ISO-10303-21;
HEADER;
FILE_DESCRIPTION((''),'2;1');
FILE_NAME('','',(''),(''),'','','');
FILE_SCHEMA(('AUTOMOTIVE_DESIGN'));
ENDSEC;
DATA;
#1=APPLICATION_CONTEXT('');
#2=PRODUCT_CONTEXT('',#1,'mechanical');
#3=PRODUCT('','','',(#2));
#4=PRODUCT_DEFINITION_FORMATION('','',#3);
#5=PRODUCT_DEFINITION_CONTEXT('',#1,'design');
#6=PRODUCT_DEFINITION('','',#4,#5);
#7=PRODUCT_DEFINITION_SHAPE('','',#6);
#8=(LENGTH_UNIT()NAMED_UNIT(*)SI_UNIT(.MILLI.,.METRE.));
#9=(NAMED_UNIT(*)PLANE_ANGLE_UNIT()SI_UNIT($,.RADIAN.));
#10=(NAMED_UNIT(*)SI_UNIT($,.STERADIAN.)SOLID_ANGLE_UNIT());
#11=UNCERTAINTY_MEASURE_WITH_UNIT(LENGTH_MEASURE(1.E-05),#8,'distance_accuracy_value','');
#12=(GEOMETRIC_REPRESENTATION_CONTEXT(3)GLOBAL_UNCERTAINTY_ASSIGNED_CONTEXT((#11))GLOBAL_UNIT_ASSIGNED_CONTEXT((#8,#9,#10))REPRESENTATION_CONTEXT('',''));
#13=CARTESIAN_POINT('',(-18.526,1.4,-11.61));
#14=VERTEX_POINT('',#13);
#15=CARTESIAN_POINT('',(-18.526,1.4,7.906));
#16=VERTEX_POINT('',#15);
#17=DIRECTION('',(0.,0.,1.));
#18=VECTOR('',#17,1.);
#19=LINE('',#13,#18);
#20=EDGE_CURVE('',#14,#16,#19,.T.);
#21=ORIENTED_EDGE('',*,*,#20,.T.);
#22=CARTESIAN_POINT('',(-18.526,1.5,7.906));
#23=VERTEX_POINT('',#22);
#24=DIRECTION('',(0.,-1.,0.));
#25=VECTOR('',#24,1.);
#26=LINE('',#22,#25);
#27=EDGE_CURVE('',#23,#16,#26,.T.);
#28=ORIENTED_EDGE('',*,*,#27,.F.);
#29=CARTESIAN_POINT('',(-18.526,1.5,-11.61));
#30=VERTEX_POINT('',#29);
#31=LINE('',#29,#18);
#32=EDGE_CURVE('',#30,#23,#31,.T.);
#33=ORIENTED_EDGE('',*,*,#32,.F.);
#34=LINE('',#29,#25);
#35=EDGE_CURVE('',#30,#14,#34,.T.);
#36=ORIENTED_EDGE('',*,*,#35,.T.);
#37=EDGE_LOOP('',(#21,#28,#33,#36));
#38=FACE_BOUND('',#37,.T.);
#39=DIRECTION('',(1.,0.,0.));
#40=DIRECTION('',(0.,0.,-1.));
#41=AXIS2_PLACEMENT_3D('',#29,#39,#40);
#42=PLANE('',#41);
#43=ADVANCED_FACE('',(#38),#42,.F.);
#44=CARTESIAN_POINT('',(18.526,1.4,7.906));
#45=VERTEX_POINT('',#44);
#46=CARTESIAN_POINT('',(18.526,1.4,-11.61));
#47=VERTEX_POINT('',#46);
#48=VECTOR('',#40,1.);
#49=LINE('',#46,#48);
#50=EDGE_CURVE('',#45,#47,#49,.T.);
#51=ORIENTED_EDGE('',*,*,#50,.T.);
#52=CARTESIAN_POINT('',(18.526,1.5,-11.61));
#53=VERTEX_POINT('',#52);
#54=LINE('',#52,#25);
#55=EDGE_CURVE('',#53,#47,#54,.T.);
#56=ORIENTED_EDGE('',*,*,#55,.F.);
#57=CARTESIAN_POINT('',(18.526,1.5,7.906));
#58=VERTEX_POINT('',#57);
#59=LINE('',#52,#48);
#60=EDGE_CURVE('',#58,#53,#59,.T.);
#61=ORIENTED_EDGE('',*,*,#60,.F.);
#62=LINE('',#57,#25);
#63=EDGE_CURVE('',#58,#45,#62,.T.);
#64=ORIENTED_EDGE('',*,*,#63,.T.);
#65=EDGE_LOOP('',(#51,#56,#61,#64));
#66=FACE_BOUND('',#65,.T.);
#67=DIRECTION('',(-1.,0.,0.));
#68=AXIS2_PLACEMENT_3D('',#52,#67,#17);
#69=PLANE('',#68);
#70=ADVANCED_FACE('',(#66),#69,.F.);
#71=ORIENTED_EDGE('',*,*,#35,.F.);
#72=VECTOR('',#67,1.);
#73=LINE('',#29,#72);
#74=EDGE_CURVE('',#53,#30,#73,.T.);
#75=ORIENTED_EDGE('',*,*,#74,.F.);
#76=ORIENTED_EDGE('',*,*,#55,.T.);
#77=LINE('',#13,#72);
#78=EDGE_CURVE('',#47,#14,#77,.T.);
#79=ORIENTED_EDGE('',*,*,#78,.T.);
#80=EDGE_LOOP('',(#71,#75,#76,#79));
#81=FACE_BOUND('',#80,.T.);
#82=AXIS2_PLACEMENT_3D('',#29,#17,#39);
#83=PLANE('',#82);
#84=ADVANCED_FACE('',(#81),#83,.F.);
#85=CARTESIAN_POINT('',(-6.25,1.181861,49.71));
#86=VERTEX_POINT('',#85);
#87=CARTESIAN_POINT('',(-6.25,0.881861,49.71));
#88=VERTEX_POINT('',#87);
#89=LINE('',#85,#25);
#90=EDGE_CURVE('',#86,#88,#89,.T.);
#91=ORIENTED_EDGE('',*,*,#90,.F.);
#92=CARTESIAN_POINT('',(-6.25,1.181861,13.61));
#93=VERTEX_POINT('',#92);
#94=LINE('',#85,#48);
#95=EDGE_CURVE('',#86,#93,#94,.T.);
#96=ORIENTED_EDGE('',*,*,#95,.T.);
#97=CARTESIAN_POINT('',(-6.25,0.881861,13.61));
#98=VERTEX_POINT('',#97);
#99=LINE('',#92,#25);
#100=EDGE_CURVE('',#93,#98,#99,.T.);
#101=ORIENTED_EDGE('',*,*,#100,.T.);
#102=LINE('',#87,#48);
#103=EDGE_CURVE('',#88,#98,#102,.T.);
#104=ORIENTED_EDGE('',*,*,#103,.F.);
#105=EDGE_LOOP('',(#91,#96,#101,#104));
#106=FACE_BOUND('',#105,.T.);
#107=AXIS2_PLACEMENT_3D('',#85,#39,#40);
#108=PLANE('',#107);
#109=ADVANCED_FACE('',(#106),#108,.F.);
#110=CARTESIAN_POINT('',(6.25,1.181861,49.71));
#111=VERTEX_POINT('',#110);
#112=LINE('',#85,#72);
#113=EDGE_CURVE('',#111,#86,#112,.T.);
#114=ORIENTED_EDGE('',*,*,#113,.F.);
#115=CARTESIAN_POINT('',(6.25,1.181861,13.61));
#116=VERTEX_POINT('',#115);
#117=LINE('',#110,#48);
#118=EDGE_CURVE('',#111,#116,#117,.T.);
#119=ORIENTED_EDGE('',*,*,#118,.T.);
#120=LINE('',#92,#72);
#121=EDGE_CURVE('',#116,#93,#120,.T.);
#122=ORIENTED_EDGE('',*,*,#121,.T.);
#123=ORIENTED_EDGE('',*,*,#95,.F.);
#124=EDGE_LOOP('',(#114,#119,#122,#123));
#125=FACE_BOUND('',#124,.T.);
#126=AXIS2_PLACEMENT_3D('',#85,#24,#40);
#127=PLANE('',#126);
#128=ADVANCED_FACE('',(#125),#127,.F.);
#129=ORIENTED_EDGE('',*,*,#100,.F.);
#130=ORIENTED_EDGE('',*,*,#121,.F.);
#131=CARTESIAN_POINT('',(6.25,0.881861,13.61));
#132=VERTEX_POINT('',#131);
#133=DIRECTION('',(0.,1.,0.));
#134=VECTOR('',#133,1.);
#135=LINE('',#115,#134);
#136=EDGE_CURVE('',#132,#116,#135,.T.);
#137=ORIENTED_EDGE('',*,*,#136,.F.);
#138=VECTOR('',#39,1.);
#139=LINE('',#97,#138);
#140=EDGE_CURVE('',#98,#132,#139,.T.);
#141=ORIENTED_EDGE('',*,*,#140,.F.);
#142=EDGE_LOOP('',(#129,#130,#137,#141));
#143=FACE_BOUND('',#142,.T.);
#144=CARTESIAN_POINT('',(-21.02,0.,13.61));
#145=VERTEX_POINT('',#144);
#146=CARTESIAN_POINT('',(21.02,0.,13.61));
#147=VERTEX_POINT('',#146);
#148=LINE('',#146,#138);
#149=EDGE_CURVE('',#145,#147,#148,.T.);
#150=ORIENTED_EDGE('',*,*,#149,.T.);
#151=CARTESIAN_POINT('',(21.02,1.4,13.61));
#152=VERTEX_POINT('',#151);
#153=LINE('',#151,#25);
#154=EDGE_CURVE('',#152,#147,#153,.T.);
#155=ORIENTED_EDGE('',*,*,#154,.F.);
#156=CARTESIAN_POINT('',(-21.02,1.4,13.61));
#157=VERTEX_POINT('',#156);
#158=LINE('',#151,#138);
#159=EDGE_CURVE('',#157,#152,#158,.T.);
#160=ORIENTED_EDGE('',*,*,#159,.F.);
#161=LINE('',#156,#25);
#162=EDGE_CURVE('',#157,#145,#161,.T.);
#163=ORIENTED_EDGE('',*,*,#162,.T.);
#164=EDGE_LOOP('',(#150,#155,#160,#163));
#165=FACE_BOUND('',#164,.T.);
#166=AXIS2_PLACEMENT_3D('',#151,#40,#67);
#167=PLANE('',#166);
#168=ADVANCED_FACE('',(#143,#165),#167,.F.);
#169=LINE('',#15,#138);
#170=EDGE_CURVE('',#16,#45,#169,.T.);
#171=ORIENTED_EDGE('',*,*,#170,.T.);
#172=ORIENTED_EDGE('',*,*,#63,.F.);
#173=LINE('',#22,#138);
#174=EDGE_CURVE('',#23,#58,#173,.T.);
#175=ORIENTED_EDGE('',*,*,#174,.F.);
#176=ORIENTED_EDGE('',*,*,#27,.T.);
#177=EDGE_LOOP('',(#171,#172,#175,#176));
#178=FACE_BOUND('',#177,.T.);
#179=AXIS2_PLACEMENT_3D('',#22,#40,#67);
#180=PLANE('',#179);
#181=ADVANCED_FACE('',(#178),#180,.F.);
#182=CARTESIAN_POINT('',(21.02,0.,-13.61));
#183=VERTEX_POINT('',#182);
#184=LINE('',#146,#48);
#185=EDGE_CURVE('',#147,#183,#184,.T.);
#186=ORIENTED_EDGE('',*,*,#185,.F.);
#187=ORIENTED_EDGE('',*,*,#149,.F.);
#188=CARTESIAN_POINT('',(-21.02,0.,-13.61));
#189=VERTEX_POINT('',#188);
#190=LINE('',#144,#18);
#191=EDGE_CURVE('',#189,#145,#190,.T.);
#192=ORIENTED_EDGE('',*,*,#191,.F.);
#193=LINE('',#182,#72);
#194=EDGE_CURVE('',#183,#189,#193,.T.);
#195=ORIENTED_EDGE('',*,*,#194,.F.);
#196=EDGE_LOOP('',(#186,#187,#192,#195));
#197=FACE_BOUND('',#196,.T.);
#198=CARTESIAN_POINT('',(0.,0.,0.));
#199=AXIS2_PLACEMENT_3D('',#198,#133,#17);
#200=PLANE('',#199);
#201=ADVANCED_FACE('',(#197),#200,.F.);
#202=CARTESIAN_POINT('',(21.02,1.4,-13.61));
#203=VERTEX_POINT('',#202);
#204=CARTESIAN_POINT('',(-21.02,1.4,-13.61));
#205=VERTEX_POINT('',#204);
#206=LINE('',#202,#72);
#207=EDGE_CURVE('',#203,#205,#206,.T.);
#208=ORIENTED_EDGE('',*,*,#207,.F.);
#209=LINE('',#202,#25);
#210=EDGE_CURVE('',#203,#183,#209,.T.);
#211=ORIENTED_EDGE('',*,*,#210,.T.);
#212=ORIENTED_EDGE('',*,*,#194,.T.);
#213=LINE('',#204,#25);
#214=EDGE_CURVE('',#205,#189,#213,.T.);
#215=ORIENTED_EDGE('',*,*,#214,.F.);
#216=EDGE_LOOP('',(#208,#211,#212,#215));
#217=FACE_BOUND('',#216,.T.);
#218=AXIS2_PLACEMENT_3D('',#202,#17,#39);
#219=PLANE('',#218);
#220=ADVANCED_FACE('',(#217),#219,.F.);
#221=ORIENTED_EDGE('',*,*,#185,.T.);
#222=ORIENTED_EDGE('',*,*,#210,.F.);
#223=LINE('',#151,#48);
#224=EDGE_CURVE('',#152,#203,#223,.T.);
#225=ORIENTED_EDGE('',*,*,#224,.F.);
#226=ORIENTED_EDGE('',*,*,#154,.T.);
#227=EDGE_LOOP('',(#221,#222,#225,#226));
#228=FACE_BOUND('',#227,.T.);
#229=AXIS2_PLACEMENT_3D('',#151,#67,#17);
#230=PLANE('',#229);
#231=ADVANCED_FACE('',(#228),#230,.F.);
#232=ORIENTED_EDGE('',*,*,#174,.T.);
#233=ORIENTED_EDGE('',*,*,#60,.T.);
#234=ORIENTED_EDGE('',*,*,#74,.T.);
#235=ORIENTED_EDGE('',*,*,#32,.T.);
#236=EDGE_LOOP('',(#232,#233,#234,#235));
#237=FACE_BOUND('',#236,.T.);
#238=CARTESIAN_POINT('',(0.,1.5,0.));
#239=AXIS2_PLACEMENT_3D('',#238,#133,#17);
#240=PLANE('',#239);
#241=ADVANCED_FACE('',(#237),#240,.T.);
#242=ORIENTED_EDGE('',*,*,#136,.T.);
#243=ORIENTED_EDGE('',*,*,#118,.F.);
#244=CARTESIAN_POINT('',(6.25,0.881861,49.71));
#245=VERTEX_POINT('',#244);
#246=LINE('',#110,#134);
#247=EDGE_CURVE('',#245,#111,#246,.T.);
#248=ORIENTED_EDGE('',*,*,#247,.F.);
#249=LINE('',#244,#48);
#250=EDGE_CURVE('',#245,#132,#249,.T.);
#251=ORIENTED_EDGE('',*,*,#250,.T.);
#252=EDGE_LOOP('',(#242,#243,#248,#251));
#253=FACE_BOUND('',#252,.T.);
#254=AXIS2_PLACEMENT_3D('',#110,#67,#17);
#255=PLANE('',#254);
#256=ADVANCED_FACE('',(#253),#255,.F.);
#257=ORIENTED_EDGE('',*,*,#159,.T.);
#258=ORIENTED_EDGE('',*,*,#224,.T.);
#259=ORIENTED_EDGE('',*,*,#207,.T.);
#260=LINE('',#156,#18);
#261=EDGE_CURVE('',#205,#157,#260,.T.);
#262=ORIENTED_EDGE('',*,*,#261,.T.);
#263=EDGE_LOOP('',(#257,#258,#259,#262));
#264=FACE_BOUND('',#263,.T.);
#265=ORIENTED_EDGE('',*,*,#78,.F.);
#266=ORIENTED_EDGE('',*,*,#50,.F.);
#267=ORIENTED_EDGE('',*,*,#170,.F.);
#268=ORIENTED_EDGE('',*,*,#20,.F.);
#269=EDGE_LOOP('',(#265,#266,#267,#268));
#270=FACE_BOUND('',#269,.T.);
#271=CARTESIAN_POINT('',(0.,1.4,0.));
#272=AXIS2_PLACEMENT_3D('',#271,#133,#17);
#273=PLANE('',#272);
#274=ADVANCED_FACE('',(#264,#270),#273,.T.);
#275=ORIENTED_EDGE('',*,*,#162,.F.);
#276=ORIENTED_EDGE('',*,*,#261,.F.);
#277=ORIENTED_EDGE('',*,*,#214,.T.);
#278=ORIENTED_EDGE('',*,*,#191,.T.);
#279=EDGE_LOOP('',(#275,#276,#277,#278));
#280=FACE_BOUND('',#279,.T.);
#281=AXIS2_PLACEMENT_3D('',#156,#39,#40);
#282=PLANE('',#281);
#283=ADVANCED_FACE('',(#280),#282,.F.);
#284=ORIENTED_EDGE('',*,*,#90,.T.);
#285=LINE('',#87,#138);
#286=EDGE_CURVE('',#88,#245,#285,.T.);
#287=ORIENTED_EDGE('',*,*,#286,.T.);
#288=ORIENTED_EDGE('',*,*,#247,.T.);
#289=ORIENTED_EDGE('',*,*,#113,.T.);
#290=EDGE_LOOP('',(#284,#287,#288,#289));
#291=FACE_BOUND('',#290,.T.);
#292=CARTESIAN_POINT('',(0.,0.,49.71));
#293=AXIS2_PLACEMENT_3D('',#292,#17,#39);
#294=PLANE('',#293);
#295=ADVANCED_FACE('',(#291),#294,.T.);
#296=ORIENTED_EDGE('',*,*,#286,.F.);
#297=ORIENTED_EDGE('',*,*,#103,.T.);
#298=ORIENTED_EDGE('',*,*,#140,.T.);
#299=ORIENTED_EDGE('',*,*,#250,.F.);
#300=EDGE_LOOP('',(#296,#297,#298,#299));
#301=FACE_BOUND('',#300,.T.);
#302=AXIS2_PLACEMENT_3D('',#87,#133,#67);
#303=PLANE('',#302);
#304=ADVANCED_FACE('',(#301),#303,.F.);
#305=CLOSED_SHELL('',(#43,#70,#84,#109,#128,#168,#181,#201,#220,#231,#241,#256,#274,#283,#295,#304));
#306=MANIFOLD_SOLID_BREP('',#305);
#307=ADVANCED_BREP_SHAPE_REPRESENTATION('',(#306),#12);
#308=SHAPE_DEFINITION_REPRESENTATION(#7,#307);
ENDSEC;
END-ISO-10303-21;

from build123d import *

# Parameters (mm, degrees)
SKETCH_1_W      = 42.04
SKETCH_1_H      = 27.22
EXTRUDE_1_DEPTH = 1.4
SKETCH_2_W      = 37.052
SKETCH_2_H      = 19.516
EXTRUDE_2_DEPTH = 0.1
SKETCH_3_W      = 12.5
SKETCH_3_H      = 0.3
EXTRUDE_3_DEPTH = 36.1


with BuildPart() as part:
    # 草图1 → 凸台-拉伸1 (new body)
    with BuildSketch(Plane(origin=(0, 0, 0), x_dir=(1, 0, 0), z_dir=(0, 1, 0))):
        Rectangle(SKETCH_1_W, SKETCH_1_H)
    extrude(amount=EXTRUDE_1_DEPTH)

    # 草图2 → 凸台-拉伸2 (add)
    with BuildSketch(Plane(origin=(0, 1.4, 0), x_dir=(1, 0, 0), z_dir=(0, 1, 0))):
        with Locations((0, 1.852)):
            Rectangle(SKETCH_2_W, SKETCH_2_H)
    extrude(amount=EXTRUDE_2_DEPTH)

    # 草图3 → 凸台-拉伸3 (add)
    with BuildSketch(Plane.XY.offset(13.61)):
        with Locations((0, 1.031860601)):
            Rectangle(SKETCH_3_W, SKETCH_3_H)
    extrude(amount=EXTRUDE_3_DEPTH)


solid = part.part
